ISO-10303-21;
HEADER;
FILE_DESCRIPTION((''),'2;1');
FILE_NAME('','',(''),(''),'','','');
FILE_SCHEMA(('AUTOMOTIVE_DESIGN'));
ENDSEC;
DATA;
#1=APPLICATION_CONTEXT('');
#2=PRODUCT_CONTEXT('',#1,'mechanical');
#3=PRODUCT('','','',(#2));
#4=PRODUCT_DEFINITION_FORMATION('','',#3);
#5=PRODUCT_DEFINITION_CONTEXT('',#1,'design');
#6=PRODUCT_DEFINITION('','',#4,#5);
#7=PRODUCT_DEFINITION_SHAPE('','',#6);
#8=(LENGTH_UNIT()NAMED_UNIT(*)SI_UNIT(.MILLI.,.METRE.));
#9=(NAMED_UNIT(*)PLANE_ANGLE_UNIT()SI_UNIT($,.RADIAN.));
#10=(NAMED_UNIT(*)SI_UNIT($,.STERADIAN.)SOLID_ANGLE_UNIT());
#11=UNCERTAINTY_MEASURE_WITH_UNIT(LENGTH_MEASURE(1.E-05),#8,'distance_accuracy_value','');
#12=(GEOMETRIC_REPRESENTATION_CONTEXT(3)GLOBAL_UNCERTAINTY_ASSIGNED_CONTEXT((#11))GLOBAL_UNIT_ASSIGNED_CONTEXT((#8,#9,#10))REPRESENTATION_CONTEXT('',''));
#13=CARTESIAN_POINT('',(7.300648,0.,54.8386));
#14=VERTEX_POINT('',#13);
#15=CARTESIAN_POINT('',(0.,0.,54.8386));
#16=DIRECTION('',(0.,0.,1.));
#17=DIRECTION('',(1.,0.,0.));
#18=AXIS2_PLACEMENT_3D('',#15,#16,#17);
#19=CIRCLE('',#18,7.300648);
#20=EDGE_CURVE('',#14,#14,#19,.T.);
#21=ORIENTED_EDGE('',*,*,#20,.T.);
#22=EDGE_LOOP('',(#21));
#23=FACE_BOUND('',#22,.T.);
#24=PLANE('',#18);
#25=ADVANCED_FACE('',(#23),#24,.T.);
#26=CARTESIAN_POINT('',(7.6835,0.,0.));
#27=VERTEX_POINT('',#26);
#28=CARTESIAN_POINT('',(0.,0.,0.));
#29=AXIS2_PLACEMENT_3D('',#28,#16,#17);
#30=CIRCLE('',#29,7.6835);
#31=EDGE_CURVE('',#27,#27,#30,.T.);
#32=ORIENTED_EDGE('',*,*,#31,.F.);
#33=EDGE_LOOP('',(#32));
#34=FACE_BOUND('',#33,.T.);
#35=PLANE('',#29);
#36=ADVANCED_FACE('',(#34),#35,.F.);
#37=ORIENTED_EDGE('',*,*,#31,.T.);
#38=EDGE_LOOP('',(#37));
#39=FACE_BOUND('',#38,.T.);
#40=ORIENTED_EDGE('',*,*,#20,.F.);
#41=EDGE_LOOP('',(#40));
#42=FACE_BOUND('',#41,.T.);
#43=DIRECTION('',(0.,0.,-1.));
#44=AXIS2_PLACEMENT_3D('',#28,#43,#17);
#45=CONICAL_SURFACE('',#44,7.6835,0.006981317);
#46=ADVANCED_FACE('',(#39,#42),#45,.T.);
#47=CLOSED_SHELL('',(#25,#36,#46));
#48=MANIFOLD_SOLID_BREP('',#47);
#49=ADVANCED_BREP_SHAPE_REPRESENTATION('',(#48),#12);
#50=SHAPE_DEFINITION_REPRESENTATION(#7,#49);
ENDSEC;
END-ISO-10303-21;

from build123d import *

# Parameters (mm, degrees)
SKETCH1_R           = 7.6835
BOSS_EXTRUDE1_DEPTH = 54.8386
BOSS_EXTRUDE1_TAPER = 0.4


with BuildPart() as part:
    # Sketch1 → Boss-Extrude1 (new body)
    with BuildSketch(Plane.XY):
        Circle(SKETCH1_R)
    extrude(amount=BOSS_EXTRUDE1_DEPTH, taper=BOSS_EXTRUDE1_TAPER)


solid = part.part
